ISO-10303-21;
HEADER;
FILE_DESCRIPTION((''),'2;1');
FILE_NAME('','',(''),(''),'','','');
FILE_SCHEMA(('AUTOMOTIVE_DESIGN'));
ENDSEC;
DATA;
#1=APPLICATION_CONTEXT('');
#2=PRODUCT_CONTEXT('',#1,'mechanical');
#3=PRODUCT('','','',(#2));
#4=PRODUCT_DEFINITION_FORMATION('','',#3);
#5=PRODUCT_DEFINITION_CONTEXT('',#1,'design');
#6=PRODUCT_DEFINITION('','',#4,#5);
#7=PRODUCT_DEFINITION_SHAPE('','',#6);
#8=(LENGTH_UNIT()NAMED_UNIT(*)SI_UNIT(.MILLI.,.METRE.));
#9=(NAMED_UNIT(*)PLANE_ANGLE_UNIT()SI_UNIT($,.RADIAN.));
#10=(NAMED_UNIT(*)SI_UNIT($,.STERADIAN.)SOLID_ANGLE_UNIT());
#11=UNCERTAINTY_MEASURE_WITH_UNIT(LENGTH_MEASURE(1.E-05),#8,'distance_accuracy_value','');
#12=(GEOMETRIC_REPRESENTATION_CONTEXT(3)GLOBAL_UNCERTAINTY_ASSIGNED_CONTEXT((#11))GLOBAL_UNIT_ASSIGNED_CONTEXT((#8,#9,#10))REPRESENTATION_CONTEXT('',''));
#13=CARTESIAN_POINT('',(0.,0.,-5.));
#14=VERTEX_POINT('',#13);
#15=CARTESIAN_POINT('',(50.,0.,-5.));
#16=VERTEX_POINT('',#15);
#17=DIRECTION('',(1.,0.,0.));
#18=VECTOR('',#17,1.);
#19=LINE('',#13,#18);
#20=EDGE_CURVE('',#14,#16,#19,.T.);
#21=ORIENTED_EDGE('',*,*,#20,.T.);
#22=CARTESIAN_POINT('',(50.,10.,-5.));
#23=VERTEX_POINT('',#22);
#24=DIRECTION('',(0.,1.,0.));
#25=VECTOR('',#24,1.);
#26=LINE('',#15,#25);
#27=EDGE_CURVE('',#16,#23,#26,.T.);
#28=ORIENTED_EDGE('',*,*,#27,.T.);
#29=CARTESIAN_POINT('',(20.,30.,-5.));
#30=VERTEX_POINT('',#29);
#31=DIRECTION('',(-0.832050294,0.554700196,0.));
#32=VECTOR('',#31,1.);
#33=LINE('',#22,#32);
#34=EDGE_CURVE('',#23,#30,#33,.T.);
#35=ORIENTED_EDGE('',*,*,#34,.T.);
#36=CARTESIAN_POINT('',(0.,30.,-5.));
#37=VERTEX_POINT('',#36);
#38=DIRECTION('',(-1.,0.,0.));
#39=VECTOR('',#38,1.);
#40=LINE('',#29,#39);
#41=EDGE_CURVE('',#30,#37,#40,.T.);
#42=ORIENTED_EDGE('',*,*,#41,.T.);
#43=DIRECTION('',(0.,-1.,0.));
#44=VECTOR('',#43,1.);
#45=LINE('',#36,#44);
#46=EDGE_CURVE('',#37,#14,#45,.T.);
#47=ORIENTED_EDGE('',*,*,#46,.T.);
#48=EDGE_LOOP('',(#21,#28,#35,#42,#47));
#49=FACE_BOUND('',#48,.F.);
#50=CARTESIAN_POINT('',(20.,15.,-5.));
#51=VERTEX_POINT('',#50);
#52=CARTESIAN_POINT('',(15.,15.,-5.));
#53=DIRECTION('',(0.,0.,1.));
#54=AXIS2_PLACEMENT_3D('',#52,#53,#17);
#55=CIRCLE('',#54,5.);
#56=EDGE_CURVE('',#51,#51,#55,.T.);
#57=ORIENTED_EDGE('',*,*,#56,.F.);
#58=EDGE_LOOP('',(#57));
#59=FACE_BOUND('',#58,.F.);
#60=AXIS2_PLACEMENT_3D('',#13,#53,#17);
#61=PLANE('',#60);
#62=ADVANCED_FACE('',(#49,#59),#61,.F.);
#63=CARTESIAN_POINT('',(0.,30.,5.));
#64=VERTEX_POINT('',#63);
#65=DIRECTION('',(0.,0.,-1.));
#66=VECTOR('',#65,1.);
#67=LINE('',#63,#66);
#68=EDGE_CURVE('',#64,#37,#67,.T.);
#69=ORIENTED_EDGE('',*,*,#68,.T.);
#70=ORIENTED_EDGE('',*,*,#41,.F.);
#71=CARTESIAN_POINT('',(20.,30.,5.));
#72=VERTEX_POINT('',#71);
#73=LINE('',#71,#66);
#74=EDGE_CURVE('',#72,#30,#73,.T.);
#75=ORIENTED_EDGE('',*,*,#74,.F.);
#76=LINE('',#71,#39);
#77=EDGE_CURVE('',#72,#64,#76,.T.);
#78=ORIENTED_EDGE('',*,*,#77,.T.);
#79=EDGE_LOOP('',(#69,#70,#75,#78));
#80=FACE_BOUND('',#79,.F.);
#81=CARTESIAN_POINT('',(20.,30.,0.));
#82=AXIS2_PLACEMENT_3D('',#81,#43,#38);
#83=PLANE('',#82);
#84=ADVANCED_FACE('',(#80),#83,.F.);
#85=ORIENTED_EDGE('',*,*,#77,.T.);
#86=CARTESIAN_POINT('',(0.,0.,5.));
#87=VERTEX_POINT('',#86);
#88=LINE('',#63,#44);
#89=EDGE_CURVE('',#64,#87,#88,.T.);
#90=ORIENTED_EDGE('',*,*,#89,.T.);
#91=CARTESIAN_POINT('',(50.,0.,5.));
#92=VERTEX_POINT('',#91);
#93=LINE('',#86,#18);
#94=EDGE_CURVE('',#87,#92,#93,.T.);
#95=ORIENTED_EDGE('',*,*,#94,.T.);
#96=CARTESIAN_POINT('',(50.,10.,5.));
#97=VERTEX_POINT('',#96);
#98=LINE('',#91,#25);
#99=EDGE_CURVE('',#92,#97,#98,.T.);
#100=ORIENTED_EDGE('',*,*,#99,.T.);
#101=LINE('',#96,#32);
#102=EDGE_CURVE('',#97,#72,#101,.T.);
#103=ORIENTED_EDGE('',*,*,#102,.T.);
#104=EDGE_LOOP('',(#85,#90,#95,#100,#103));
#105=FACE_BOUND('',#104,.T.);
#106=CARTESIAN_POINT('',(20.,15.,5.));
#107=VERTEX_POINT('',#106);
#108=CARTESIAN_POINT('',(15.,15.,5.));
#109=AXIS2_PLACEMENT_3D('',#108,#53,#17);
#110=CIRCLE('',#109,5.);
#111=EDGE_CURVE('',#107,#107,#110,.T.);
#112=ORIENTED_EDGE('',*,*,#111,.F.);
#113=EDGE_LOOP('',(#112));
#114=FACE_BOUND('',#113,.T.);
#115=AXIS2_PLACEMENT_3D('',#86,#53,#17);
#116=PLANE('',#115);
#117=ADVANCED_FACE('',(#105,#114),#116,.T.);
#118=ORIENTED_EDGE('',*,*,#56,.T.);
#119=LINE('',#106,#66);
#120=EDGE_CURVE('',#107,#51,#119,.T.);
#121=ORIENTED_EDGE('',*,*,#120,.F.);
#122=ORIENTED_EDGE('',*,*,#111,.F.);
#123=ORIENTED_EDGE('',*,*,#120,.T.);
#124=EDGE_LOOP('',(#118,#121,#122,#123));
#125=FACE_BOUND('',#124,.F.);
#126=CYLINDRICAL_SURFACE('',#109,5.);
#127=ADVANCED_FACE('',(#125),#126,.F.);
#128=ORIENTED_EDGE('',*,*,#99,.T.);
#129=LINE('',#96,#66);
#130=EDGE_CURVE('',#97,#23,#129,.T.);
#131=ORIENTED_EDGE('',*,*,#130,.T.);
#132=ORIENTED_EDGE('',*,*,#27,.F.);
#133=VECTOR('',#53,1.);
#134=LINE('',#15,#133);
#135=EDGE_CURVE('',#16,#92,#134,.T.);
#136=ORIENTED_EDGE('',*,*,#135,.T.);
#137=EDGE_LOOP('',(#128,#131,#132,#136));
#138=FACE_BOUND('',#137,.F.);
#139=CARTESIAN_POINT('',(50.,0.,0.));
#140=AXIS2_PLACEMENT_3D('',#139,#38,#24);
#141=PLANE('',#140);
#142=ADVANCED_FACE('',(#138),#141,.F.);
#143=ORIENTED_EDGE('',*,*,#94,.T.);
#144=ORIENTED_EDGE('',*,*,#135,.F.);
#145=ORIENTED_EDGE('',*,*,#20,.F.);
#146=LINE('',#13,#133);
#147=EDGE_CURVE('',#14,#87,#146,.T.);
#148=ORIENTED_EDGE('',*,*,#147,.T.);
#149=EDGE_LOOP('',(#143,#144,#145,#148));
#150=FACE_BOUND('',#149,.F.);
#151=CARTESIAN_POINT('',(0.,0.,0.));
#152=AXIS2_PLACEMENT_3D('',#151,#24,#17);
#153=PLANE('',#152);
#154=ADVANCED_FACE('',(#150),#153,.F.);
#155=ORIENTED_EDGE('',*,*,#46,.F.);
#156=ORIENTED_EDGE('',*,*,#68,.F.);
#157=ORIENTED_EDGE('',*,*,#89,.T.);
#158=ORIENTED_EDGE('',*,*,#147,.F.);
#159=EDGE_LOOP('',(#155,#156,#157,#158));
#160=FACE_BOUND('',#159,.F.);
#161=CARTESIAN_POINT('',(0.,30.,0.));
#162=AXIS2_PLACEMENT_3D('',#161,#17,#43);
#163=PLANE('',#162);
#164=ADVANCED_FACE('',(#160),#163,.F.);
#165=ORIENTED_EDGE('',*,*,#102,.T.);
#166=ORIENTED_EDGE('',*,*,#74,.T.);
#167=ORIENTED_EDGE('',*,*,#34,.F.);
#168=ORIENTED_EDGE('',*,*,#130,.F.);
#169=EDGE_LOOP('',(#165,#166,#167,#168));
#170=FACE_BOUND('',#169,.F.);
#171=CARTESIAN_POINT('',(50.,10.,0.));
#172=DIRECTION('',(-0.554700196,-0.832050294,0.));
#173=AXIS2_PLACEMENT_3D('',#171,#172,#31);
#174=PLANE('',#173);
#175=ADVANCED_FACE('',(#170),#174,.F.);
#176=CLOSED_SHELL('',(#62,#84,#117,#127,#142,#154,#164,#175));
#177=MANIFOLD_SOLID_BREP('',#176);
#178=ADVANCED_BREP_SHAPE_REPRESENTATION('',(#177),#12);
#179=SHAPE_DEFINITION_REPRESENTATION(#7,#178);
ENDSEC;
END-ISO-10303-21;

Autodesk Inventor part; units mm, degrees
ref_plane "YZ Plane" through (0, 0, 0) normal (1, 0, 0) x (0, 1, 0)
ref_plane "XZ Plane" through (0, 0, 0) normal (0, 1, 0) x (-1, 0, 0)
ref_plane "XY Plane" through (0, 0, 0) normal (0, 0, 1) x (1, 0, 0)
sketch "Sketch1" plane through (0, 0, 0) normal (0, 0, 1) x (1, 0, 0)
  line L0 (0, 0) -> (50, 0)
  line L1 (50, 0) -> (50, 10)
  line L2 (50, 10) -> (20, 30)
  line L3 (20, 30) -> (0, 30)
  line L4 (0, 30) -> (0, 0)
  dimension "d0" = 50
  dimension "d1" = 10
  dimension "d2" = 30
  dimension "d3" = 20
extrude "Extrusion1" add sketch "Sketch1" along normal mid plane 10
sketch "Sketch2" plane through (0, 0, 5) normal (0, 0, 1) x (1, 0, 0)
  circle A0 centre (15, 15) radius 5
  line L0 (0, 0) -> (50, 0) projected
  line L1 (0, 30) -> (0, 0) projected
  dimension "d8" = 10
  dimension "d9" = 15
  dimension "d10" = 15
extrude "Extrusion2" cut sketch "Sketch2" along normal through all both and the other way through all
